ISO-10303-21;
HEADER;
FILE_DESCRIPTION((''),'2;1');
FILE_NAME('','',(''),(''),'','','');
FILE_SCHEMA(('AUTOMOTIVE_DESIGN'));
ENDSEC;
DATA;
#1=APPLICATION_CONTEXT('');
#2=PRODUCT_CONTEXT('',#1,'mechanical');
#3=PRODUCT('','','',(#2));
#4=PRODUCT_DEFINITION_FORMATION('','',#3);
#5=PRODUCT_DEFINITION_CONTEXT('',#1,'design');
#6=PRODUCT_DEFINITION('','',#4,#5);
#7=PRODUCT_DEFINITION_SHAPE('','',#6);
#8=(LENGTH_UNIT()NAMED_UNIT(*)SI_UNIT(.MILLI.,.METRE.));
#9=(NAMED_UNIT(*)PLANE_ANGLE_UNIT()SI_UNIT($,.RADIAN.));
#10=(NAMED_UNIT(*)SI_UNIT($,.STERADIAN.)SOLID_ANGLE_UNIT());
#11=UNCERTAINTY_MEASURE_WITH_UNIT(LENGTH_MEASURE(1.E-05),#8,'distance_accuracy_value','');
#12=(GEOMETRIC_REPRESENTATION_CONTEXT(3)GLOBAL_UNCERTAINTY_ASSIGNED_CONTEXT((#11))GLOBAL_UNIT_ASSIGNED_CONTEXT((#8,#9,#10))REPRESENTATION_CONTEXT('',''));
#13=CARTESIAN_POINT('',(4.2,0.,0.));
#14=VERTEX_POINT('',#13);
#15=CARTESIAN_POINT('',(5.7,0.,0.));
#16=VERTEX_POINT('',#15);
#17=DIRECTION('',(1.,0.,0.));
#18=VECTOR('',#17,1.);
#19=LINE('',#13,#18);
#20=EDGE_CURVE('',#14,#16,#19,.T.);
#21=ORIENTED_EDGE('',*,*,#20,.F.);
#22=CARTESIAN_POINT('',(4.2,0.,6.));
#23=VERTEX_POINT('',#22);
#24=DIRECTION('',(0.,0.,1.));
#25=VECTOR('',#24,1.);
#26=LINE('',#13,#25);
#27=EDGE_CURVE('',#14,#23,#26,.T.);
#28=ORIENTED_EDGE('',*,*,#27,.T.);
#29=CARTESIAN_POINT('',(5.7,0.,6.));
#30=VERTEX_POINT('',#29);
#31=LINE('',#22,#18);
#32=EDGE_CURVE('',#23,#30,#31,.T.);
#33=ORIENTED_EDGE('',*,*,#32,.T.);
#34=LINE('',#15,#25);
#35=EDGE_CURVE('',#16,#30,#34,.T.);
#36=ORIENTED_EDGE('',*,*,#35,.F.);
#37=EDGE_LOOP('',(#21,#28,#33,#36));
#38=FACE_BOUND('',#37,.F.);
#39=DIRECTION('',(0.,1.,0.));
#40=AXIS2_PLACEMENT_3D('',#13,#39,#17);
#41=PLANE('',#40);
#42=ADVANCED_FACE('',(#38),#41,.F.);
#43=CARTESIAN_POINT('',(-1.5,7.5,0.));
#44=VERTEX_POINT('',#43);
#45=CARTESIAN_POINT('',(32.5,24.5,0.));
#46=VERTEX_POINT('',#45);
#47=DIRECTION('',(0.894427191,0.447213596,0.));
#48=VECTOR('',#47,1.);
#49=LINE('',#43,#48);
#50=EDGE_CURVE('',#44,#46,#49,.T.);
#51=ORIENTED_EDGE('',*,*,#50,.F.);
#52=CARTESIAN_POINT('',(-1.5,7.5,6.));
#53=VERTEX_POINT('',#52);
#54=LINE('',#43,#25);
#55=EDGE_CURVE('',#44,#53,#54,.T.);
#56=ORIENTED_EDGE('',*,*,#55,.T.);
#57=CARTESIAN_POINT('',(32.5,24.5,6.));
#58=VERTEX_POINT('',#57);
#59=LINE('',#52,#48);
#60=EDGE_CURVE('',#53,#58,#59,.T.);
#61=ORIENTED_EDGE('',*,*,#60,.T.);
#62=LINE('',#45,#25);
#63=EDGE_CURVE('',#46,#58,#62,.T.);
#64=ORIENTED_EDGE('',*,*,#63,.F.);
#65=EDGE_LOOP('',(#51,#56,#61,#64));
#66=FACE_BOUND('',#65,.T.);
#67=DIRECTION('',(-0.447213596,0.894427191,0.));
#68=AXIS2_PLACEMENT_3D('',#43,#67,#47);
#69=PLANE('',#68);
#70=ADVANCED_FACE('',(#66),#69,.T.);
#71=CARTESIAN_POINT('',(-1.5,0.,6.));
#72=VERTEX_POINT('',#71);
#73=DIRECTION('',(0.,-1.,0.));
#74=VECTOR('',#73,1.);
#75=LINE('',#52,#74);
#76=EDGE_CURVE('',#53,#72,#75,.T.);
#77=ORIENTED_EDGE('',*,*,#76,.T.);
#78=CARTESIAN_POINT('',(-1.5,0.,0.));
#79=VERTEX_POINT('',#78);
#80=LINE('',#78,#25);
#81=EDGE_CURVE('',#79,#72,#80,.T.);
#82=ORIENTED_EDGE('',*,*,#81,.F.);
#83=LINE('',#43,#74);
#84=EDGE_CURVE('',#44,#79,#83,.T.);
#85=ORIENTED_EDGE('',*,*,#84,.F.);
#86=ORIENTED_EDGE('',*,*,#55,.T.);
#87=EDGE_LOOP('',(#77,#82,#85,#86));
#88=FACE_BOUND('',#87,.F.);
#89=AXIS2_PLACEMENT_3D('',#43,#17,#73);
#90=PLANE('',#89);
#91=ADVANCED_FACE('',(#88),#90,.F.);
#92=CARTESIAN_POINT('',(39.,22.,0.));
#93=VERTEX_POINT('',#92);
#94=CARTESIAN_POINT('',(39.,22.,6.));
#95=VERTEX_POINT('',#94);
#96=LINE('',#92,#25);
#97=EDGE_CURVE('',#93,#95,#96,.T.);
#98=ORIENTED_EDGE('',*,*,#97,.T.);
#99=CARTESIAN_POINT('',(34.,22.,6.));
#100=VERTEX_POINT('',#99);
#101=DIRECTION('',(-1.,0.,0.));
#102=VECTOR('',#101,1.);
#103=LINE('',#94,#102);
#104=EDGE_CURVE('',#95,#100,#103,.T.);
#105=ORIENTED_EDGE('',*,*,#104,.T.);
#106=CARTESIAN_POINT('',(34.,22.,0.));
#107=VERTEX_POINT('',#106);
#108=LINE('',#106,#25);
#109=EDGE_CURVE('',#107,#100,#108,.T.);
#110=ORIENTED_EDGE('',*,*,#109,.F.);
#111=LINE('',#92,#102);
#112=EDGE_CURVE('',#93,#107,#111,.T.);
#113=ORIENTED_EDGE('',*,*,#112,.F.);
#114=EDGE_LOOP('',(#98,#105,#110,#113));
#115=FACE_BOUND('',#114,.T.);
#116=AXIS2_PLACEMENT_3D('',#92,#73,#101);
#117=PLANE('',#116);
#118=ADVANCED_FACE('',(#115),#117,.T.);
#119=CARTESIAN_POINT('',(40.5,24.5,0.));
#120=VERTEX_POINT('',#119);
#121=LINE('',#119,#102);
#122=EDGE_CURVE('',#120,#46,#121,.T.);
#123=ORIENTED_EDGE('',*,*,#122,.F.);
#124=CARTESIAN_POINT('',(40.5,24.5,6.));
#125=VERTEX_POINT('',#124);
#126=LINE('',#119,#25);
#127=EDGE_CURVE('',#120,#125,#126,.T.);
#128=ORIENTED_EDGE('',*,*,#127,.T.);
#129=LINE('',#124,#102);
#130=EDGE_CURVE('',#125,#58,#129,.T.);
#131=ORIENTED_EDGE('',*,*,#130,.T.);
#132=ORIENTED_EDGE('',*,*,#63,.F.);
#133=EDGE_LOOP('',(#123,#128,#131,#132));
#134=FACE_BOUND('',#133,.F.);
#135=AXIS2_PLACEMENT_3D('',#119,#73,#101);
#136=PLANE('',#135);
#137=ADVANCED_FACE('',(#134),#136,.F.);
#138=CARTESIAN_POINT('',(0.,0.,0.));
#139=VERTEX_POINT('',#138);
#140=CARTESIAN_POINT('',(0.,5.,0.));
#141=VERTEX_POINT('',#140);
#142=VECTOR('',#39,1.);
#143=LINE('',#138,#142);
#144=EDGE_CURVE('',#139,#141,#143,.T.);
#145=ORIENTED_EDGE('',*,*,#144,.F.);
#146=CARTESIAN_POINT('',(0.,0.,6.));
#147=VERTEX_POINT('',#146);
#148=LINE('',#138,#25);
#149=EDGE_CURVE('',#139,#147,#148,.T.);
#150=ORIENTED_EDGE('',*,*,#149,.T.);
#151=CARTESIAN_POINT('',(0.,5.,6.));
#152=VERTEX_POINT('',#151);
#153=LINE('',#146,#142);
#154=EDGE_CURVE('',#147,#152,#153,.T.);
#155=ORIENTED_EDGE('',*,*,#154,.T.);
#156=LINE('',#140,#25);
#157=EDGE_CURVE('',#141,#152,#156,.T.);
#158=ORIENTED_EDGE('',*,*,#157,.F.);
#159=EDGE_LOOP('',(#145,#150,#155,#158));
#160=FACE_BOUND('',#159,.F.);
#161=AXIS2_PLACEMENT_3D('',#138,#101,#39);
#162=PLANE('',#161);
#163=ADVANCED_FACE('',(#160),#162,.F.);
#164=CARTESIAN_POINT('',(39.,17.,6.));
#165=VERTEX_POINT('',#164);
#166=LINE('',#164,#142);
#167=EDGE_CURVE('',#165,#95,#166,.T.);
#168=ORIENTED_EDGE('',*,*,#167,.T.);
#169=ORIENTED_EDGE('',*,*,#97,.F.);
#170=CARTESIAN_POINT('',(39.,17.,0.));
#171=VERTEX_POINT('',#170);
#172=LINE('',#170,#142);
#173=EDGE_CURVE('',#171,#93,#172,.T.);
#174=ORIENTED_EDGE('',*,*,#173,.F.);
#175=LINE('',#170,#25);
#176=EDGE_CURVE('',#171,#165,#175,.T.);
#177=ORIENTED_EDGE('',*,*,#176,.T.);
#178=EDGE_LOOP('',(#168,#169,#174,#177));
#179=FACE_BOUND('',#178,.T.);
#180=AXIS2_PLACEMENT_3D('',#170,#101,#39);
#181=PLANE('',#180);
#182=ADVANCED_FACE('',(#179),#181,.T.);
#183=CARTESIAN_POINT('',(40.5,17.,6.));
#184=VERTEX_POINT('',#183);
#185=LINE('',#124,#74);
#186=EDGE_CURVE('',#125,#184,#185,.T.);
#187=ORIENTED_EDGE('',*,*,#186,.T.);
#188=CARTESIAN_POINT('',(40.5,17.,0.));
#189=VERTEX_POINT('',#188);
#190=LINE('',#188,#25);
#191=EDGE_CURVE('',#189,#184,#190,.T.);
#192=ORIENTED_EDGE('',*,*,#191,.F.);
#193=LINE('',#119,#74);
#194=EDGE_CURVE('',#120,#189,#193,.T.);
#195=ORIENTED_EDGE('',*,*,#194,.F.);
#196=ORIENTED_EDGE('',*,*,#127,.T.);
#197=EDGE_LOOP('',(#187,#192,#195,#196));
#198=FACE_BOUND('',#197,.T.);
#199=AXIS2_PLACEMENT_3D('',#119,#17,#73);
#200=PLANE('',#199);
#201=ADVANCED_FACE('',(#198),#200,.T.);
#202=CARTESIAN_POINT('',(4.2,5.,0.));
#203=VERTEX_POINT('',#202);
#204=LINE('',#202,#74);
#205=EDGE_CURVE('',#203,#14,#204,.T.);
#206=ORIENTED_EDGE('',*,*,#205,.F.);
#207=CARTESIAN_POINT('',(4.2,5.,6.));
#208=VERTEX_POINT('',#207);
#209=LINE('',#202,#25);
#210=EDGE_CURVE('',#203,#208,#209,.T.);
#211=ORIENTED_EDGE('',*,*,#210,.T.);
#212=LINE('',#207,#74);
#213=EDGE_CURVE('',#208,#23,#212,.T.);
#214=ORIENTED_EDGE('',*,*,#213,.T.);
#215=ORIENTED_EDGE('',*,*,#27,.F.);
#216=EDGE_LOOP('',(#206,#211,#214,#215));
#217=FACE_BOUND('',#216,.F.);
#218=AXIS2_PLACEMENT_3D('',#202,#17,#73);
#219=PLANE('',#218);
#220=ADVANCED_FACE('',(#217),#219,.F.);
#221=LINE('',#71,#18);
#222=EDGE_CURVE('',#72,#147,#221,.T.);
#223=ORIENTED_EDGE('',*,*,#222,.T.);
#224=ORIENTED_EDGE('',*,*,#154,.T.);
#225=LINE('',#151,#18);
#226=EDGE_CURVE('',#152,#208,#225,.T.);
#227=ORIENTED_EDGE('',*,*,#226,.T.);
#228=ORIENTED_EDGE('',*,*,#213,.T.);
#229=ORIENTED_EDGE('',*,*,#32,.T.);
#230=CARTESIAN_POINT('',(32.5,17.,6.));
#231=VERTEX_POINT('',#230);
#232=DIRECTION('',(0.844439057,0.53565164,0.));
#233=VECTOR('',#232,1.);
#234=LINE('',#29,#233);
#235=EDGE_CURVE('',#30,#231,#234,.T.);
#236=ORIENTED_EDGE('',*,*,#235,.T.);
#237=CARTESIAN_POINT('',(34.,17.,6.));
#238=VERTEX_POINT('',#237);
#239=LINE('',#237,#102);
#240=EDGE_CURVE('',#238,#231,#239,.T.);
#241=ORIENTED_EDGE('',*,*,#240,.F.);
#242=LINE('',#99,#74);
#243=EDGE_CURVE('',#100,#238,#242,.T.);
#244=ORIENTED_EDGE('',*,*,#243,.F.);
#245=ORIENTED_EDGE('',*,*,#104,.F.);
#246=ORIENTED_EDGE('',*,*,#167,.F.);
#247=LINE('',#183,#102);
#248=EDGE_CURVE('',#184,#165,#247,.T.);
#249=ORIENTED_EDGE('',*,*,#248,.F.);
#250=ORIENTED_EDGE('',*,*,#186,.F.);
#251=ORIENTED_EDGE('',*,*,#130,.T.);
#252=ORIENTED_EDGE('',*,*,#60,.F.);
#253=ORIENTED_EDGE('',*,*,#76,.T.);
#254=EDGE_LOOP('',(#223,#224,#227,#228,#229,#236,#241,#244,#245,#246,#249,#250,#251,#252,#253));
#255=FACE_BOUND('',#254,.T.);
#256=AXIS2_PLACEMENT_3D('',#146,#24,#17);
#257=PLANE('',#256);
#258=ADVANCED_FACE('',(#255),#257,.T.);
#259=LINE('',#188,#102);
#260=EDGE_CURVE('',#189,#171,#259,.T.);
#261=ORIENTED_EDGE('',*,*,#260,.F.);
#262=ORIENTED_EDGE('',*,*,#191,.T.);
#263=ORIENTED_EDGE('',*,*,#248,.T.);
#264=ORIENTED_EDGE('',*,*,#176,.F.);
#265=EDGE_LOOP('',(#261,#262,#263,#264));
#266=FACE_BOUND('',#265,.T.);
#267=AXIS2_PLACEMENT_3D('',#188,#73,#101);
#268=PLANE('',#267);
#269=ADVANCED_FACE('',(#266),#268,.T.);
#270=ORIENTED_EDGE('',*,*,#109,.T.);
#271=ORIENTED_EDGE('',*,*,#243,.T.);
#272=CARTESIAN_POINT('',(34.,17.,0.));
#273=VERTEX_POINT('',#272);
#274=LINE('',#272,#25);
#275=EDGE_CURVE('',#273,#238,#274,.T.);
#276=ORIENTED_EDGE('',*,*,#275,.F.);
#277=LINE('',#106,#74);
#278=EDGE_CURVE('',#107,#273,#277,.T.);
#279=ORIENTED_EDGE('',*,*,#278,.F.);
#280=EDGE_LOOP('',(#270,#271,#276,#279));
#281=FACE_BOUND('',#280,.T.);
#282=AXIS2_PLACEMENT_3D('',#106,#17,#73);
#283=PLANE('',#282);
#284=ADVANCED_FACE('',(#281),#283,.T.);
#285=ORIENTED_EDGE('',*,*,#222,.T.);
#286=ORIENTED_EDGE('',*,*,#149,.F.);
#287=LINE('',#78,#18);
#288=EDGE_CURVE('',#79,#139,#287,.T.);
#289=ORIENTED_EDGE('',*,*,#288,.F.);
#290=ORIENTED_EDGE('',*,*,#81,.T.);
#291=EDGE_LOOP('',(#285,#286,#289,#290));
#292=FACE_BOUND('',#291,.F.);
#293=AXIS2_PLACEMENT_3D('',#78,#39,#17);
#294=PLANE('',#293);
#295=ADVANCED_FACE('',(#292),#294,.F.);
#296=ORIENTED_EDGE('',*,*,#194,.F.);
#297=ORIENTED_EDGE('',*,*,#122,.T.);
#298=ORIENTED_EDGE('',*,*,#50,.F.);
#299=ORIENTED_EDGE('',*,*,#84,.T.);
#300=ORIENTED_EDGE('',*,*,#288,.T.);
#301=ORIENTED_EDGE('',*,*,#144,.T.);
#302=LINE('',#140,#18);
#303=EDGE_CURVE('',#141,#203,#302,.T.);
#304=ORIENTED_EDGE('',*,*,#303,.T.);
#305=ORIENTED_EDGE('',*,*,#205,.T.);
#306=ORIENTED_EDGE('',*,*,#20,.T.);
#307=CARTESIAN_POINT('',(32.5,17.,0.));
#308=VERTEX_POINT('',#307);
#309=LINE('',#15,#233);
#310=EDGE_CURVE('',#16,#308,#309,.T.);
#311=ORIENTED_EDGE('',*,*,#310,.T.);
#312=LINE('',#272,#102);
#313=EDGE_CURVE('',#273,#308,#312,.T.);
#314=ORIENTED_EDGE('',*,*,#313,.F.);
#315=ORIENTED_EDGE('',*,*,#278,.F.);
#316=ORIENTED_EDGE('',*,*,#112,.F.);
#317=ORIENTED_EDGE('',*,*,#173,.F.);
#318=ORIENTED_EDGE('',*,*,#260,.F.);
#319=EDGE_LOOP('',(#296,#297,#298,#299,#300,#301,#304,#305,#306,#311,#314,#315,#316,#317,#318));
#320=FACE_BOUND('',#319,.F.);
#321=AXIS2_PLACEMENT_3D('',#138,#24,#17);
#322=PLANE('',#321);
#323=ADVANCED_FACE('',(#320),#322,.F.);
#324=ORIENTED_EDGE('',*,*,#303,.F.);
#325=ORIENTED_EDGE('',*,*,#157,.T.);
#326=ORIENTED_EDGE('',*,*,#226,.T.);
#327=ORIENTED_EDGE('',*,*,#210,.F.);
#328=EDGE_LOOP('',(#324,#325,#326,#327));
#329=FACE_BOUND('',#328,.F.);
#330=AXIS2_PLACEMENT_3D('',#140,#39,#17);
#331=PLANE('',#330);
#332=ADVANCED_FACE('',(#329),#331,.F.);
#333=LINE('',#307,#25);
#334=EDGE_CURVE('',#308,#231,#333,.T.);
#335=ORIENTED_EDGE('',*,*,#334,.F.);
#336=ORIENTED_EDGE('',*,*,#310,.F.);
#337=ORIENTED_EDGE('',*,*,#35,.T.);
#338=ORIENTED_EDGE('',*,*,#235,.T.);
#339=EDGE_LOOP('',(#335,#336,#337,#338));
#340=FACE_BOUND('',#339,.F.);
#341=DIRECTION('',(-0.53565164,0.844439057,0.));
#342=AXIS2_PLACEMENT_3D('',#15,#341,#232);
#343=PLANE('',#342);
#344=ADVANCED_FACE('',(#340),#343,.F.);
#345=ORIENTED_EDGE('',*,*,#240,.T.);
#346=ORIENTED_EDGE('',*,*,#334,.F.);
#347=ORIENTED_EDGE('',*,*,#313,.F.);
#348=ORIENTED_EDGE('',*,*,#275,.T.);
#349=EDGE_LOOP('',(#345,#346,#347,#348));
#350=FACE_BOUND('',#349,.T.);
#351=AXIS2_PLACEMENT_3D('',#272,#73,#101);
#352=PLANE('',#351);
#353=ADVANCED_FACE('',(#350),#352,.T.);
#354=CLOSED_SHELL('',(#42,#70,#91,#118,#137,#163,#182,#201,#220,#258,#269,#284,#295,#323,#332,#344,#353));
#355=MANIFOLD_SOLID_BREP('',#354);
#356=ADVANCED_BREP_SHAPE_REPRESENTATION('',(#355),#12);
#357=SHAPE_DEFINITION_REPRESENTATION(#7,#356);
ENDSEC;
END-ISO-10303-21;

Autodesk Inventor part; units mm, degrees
ref_plane "YZ Plane" through (0, 0, 0) normal (1, 0, 0) x (0, 1, 0)
ref_plane "XZ Plane" through (0, 0, 0) normal (0, 1, 0) x (-1, 0, 0)
ref_plane "XY Plane" through (0, 0, 0) normal (0, 0, 1) x (1, 0, 0)
sketch "Sketch1" plane through (0, 0, 0) normal (0, 0, 1) x (1, 0, 0)
  line L0 (0, 0) -> (0, 5)
  line L1 (0, 5) -> (4.2, 5)
  line L2 (4.2, 5) -> (4.2, 0)
  line L3 (4.2, 0) -> (5.7, 0)
  line L4 (-1.5, 7.5) -> (-1.5, 0)
  line L5 (-1.5, 0) -> (0, 0)
  line L6 (40.5, 24.5) -> (40.5, 17)
  line L7 (40.5, 17) -> (39, 17)
  line L8 (39, 17) -> (39, 22)
  line L9 (39, 22) -> (34, 22)
  line L10 (34, 22) -> (34, 17)
  line L11 (34, 17) -> (32.5, 17)
  line L12 (40.5, 24.5) -> (32.5, 24.5)
  line L13 (32.5, 17) -> (32.5, 24.5)
  line L14 (-1.5, 7.5) -> (5.7, 7.5)
  line L15 (5.7, 0) -> (5.7, 7.5)
  line L16 (-1.5, 7.5) -> (32.5, 24.5)
  line L17 (5.7, 0) -> (32.5, 17)
  dimension "d0" = 17
  dimension "d1" = 5
  dimension "d2" = 4.2
  dimension "d4" = 1.5
  dimension "d5" = 1.5
  dimension "d7" = 5
  dimension "d8" = 5
  dimension "d9" = 2.5
  dimension "d10" = 2.5
  dimension "d11" = 34
extrude "Extrusion1" add sketch "Sketch1" along normal blind 6
properties part number "StrumArm"
